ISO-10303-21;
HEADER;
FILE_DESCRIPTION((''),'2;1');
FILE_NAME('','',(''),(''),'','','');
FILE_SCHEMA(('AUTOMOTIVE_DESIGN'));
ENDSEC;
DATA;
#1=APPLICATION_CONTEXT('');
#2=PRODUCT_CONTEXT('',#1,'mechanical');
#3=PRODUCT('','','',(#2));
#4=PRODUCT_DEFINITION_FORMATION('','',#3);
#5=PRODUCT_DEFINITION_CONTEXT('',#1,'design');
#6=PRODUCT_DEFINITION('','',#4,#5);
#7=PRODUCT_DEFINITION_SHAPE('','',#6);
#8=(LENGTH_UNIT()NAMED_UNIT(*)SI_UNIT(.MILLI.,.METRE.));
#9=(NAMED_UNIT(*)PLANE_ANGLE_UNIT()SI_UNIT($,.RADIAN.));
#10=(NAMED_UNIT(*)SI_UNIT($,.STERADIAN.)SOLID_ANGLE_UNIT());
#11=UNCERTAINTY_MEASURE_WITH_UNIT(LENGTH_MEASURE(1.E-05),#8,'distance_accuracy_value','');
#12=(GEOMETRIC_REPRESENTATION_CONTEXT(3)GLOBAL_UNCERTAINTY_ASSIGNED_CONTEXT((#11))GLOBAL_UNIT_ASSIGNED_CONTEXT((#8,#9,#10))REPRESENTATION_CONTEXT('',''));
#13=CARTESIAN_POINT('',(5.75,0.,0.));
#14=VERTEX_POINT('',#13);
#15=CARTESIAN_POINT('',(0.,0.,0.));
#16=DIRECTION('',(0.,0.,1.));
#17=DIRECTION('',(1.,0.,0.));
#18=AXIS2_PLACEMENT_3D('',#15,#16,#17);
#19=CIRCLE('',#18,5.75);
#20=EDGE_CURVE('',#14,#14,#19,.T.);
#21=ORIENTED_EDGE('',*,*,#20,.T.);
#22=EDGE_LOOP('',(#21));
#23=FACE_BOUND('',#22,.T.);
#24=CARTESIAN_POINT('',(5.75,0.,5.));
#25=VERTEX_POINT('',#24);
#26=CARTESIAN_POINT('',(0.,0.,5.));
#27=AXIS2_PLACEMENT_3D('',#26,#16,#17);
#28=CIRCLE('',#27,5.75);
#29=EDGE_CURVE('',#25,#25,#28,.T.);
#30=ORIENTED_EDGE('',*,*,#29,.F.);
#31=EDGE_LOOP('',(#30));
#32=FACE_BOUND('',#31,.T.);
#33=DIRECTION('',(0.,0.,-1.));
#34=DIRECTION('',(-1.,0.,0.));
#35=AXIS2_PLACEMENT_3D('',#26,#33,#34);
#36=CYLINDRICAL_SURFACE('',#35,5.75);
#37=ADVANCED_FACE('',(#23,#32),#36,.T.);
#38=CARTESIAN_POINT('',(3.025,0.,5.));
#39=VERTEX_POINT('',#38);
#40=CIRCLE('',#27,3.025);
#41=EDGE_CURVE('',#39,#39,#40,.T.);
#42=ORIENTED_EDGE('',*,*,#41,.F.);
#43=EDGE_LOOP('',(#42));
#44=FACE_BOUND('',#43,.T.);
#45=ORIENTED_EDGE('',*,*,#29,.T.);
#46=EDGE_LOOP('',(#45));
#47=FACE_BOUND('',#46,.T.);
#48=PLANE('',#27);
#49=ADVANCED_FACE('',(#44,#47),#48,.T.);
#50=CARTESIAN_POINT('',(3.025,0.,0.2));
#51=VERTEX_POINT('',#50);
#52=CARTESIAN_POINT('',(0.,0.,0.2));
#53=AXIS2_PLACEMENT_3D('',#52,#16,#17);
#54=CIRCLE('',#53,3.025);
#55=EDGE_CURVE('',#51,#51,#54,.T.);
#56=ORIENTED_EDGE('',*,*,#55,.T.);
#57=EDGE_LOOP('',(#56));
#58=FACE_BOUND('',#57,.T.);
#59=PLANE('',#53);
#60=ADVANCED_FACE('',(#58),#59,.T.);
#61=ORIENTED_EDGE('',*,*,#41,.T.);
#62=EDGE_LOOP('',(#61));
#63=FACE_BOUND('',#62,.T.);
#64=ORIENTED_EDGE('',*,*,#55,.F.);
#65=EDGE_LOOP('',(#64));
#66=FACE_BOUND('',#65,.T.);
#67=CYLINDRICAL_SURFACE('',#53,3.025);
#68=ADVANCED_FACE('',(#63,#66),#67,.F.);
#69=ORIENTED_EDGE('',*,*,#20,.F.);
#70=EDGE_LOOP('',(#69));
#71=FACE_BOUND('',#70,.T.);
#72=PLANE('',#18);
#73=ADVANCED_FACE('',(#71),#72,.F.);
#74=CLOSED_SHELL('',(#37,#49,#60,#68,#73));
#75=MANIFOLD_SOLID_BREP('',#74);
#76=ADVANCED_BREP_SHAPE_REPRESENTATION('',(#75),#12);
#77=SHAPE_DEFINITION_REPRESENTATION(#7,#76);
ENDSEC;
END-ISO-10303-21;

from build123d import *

# Parameters (mm, degrees)
SKETCH1_R           = 5.75
BOSS_EXTRUDE1_DEPTH = 5
SKETCH2_R           = 3.025
CUT_EXTRUDE1_DEPTH  = 4.8


with BuildPart() as part:
    # Sketch1 → Boss-Extrude1 (new body)
    with BuildSketch(Plane.XY):
        Circle(SKETCH1_R)
    extrude(amount=BOSS_EXTRUDE1_DEPTH)

    # Sketch2 → Cut-Extrude1 (cut)
    with BuildSketch(Plane.XY.offset(5)):
        Circle(SKETCH2_R)
    extrude(amount=-CUT_EXTRUDE1_DEPTH, mode=Mode.SUBTRACT)


solid = part.part
